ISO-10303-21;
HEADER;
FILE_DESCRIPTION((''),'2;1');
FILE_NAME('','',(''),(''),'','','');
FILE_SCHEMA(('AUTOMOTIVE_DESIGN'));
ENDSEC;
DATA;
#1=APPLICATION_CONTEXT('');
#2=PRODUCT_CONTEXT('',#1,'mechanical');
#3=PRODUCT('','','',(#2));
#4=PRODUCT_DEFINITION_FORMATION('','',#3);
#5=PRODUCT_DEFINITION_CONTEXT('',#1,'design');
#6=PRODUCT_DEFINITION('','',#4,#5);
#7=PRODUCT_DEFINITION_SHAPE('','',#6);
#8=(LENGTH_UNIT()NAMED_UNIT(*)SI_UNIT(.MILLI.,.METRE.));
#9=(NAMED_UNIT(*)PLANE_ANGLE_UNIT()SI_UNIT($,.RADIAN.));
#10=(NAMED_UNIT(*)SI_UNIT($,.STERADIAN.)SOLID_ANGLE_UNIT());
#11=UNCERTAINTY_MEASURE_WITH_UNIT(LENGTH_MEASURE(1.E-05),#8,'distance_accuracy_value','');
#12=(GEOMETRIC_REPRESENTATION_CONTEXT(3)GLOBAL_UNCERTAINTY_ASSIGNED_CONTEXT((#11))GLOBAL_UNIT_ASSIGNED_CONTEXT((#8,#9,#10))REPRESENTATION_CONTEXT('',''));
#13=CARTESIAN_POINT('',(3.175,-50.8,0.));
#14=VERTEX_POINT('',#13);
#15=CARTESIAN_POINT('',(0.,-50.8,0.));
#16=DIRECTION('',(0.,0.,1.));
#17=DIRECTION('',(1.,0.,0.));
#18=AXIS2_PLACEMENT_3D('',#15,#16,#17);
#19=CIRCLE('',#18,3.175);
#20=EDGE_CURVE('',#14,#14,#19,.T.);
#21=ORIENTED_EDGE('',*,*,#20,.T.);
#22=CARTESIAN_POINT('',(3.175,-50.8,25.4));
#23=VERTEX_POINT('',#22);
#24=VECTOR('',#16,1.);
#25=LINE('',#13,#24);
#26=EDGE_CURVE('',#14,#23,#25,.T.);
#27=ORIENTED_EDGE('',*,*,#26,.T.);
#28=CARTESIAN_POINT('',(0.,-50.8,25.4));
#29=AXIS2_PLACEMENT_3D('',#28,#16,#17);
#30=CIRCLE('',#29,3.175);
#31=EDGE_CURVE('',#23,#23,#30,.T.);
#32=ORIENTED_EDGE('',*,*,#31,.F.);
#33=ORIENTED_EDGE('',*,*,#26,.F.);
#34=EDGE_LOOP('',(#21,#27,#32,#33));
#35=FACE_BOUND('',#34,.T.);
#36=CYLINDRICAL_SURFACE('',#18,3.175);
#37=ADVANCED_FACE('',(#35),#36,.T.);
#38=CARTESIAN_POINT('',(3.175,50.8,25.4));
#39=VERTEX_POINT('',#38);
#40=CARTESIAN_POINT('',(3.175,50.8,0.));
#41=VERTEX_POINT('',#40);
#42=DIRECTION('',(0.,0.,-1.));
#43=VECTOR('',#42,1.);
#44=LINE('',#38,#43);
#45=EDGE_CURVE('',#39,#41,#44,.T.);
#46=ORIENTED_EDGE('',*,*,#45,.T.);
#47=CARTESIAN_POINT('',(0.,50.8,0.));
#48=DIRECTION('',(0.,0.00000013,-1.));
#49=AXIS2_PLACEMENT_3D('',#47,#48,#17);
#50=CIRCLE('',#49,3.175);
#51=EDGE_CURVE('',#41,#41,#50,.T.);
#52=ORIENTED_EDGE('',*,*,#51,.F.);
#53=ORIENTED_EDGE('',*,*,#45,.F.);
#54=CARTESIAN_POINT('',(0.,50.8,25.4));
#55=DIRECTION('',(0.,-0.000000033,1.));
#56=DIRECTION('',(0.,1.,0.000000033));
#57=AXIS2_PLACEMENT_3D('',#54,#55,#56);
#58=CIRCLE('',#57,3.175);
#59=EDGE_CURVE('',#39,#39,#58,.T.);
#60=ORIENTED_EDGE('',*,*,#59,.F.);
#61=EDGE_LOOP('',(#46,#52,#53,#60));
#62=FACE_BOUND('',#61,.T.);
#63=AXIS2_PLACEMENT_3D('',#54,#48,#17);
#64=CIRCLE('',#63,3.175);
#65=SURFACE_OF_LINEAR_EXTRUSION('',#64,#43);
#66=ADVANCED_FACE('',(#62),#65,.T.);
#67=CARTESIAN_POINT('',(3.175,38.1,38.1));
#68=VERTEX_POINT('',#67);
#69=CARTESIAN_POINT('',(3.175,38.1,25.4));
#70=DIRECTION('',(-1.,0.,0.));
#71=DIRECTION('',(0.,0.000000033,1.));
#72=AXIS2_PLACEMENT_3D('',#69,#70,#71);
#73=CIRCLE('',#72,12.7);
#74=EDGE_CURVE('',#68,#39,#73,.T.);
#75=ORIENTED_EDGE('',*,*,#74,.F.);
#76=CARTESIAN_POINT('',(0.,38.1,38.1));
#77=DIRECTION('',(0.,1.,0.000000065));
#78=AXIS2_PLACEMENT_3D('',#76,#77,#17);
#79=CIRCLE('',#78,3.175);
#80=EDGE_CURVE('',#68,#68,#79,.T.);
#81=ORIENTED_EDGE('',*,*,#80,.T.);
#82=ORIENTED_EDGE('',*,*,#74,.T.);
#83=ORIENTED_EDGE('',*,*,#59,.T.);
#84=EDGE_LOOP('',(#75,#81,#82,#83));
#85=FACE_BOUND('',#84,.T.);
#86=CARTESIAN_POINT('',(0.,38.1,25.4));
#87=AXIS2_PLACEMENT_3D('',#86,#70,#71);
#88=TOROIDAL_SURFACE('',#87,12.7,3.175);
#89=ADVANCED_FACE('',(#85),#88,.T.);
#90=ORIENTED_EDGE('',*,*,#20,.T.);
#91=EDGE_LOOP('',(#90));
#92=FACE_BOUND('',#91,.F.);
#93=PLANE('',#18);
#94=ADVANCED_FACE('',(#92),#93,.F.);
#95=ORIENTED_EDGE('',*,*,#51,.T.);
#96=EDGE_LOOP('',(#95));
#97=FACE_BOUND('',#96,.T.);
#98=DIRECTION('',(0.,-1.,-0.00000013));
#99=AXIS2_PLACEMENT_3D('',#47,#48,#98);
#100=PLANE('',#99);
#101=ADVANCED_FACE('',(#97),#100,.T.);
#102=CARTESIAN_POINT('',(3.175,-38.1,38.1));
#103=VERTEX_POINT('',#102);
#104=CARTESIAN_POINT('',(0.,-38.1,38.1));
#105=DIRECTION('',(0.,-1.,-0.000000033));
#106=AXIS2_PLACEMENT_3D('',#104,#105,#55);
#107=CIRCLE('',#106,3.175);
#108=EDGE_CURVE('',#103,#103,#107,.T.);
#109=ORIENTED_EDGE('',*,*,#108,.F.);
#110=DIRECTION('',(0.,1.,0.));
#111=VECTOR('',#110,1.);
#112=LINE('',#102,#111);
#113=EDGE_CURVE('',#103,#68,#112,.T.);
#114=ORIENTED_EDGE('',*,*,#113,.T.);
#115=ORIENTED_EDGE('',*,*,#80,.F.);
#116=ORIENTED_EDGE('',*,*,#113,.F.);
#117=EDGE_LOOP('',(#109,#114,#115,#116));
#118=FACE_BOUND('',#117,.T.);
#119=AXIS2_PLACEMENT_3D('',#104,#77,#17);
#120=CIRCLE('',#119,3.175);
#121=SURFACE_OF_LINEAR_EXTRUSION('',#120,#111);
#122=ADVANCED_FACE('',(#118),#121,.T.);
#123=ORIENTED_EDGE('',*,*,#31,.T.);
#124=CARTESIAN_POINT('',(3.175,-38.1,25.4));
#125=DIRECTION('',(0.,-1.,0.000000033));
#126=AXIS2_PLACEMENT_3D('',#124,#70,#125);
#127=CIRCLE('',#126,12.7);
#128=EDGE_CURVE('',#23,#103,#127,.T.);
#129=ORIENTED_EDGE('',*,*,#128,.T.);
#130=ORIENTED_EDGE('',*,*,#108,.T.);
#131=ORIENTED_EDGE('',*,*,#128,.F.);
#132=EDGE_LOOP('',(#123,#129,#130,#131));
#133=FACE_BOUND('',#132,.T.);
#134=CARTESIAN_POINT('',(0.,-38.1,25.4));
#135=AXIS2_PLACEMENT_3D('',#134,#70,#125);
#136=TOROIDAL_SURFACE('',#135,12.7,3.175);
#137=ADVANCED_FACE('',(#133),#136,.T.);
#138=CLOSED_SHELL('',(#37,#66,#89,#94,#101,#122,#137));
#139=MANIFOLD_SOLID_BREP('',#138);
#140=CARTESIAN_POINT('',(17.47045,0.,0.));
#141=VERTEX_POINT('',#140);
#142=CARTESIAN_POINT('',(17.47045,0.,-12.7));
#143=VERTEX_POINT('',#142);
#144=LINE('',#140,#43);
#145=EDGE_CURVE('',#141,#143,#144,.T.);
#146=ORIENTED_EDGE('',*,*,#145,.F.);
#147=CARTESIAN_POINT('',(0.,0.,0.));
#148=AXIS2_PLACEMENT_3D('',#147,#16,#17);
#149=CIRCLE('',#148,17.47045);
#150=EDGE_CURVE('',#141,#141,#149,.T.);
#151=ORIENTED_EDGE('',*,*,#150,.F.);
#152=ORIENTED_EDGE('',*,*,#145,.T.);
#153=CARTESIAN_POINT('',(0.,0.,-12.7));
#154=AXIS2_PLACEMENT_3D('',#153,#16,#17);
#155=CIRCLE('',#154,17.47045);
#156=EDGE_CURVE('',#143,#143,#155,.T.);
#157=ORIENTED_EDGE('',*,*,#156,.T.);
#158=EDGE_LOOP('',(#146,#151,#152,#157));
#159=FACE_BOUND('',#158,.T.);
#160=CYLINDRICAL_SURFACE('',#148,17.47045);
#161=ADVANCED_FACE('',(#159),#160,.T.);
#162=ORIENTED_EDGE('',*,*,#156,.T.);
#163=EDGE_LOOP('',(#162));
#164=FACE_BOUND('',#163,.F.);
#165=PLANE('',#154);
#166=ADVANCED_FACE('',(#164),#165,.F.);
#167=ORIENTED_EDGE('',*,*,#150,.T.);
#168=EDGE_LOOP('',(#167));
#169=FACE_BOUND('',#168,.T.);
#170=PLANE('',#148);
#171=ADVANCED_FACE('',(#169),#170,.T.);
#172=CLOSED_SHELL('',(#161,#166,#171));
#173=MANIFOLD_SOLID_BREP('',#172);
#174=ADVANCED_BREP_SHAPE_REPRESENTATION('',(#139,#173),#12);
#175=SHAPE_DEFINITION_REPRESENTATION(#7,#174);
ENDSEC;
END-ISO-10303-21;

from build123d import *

# Parameters (mm, degrees)
F0_R     = 3.175
F3_R     = 17.47045
F4_DEPTH = 12.7


with BuildPart() as f2:
    # F2: sweep along a path in F1
    with BuildLine(Plane.YZ) as f2_path:
        Line((-50.8, 0), (-50.8, 25.4))
        ThreePointArc((-50.8, 25.4), (-47.080256, 34.380256), (-38.1, 38.1))
        Line((-38.1, 38.1), (38.1, 38.1))
        ThreePointArc((38.1, 38.1), (47.080256, 34.380256), (50.8, 25.4))
        Line((50.8, 25.4), (50.8, 0))
    # F0 (on Top) → F2 (sweep)
    with BuildSketch(Plane.XY):
        with Locations((0, -50.8)):
            Circle(F0_R)
    sweep(path=f2_path.line)


with BuildPart() as f4:
    # F3 (on Top) → F4 (new body)
    with BuildSketch(Plane.XY):
        Circle(F3_R)
    extrude(amount=-F4_DEPTH)


solid = Compound([f2.part, f4.part])
